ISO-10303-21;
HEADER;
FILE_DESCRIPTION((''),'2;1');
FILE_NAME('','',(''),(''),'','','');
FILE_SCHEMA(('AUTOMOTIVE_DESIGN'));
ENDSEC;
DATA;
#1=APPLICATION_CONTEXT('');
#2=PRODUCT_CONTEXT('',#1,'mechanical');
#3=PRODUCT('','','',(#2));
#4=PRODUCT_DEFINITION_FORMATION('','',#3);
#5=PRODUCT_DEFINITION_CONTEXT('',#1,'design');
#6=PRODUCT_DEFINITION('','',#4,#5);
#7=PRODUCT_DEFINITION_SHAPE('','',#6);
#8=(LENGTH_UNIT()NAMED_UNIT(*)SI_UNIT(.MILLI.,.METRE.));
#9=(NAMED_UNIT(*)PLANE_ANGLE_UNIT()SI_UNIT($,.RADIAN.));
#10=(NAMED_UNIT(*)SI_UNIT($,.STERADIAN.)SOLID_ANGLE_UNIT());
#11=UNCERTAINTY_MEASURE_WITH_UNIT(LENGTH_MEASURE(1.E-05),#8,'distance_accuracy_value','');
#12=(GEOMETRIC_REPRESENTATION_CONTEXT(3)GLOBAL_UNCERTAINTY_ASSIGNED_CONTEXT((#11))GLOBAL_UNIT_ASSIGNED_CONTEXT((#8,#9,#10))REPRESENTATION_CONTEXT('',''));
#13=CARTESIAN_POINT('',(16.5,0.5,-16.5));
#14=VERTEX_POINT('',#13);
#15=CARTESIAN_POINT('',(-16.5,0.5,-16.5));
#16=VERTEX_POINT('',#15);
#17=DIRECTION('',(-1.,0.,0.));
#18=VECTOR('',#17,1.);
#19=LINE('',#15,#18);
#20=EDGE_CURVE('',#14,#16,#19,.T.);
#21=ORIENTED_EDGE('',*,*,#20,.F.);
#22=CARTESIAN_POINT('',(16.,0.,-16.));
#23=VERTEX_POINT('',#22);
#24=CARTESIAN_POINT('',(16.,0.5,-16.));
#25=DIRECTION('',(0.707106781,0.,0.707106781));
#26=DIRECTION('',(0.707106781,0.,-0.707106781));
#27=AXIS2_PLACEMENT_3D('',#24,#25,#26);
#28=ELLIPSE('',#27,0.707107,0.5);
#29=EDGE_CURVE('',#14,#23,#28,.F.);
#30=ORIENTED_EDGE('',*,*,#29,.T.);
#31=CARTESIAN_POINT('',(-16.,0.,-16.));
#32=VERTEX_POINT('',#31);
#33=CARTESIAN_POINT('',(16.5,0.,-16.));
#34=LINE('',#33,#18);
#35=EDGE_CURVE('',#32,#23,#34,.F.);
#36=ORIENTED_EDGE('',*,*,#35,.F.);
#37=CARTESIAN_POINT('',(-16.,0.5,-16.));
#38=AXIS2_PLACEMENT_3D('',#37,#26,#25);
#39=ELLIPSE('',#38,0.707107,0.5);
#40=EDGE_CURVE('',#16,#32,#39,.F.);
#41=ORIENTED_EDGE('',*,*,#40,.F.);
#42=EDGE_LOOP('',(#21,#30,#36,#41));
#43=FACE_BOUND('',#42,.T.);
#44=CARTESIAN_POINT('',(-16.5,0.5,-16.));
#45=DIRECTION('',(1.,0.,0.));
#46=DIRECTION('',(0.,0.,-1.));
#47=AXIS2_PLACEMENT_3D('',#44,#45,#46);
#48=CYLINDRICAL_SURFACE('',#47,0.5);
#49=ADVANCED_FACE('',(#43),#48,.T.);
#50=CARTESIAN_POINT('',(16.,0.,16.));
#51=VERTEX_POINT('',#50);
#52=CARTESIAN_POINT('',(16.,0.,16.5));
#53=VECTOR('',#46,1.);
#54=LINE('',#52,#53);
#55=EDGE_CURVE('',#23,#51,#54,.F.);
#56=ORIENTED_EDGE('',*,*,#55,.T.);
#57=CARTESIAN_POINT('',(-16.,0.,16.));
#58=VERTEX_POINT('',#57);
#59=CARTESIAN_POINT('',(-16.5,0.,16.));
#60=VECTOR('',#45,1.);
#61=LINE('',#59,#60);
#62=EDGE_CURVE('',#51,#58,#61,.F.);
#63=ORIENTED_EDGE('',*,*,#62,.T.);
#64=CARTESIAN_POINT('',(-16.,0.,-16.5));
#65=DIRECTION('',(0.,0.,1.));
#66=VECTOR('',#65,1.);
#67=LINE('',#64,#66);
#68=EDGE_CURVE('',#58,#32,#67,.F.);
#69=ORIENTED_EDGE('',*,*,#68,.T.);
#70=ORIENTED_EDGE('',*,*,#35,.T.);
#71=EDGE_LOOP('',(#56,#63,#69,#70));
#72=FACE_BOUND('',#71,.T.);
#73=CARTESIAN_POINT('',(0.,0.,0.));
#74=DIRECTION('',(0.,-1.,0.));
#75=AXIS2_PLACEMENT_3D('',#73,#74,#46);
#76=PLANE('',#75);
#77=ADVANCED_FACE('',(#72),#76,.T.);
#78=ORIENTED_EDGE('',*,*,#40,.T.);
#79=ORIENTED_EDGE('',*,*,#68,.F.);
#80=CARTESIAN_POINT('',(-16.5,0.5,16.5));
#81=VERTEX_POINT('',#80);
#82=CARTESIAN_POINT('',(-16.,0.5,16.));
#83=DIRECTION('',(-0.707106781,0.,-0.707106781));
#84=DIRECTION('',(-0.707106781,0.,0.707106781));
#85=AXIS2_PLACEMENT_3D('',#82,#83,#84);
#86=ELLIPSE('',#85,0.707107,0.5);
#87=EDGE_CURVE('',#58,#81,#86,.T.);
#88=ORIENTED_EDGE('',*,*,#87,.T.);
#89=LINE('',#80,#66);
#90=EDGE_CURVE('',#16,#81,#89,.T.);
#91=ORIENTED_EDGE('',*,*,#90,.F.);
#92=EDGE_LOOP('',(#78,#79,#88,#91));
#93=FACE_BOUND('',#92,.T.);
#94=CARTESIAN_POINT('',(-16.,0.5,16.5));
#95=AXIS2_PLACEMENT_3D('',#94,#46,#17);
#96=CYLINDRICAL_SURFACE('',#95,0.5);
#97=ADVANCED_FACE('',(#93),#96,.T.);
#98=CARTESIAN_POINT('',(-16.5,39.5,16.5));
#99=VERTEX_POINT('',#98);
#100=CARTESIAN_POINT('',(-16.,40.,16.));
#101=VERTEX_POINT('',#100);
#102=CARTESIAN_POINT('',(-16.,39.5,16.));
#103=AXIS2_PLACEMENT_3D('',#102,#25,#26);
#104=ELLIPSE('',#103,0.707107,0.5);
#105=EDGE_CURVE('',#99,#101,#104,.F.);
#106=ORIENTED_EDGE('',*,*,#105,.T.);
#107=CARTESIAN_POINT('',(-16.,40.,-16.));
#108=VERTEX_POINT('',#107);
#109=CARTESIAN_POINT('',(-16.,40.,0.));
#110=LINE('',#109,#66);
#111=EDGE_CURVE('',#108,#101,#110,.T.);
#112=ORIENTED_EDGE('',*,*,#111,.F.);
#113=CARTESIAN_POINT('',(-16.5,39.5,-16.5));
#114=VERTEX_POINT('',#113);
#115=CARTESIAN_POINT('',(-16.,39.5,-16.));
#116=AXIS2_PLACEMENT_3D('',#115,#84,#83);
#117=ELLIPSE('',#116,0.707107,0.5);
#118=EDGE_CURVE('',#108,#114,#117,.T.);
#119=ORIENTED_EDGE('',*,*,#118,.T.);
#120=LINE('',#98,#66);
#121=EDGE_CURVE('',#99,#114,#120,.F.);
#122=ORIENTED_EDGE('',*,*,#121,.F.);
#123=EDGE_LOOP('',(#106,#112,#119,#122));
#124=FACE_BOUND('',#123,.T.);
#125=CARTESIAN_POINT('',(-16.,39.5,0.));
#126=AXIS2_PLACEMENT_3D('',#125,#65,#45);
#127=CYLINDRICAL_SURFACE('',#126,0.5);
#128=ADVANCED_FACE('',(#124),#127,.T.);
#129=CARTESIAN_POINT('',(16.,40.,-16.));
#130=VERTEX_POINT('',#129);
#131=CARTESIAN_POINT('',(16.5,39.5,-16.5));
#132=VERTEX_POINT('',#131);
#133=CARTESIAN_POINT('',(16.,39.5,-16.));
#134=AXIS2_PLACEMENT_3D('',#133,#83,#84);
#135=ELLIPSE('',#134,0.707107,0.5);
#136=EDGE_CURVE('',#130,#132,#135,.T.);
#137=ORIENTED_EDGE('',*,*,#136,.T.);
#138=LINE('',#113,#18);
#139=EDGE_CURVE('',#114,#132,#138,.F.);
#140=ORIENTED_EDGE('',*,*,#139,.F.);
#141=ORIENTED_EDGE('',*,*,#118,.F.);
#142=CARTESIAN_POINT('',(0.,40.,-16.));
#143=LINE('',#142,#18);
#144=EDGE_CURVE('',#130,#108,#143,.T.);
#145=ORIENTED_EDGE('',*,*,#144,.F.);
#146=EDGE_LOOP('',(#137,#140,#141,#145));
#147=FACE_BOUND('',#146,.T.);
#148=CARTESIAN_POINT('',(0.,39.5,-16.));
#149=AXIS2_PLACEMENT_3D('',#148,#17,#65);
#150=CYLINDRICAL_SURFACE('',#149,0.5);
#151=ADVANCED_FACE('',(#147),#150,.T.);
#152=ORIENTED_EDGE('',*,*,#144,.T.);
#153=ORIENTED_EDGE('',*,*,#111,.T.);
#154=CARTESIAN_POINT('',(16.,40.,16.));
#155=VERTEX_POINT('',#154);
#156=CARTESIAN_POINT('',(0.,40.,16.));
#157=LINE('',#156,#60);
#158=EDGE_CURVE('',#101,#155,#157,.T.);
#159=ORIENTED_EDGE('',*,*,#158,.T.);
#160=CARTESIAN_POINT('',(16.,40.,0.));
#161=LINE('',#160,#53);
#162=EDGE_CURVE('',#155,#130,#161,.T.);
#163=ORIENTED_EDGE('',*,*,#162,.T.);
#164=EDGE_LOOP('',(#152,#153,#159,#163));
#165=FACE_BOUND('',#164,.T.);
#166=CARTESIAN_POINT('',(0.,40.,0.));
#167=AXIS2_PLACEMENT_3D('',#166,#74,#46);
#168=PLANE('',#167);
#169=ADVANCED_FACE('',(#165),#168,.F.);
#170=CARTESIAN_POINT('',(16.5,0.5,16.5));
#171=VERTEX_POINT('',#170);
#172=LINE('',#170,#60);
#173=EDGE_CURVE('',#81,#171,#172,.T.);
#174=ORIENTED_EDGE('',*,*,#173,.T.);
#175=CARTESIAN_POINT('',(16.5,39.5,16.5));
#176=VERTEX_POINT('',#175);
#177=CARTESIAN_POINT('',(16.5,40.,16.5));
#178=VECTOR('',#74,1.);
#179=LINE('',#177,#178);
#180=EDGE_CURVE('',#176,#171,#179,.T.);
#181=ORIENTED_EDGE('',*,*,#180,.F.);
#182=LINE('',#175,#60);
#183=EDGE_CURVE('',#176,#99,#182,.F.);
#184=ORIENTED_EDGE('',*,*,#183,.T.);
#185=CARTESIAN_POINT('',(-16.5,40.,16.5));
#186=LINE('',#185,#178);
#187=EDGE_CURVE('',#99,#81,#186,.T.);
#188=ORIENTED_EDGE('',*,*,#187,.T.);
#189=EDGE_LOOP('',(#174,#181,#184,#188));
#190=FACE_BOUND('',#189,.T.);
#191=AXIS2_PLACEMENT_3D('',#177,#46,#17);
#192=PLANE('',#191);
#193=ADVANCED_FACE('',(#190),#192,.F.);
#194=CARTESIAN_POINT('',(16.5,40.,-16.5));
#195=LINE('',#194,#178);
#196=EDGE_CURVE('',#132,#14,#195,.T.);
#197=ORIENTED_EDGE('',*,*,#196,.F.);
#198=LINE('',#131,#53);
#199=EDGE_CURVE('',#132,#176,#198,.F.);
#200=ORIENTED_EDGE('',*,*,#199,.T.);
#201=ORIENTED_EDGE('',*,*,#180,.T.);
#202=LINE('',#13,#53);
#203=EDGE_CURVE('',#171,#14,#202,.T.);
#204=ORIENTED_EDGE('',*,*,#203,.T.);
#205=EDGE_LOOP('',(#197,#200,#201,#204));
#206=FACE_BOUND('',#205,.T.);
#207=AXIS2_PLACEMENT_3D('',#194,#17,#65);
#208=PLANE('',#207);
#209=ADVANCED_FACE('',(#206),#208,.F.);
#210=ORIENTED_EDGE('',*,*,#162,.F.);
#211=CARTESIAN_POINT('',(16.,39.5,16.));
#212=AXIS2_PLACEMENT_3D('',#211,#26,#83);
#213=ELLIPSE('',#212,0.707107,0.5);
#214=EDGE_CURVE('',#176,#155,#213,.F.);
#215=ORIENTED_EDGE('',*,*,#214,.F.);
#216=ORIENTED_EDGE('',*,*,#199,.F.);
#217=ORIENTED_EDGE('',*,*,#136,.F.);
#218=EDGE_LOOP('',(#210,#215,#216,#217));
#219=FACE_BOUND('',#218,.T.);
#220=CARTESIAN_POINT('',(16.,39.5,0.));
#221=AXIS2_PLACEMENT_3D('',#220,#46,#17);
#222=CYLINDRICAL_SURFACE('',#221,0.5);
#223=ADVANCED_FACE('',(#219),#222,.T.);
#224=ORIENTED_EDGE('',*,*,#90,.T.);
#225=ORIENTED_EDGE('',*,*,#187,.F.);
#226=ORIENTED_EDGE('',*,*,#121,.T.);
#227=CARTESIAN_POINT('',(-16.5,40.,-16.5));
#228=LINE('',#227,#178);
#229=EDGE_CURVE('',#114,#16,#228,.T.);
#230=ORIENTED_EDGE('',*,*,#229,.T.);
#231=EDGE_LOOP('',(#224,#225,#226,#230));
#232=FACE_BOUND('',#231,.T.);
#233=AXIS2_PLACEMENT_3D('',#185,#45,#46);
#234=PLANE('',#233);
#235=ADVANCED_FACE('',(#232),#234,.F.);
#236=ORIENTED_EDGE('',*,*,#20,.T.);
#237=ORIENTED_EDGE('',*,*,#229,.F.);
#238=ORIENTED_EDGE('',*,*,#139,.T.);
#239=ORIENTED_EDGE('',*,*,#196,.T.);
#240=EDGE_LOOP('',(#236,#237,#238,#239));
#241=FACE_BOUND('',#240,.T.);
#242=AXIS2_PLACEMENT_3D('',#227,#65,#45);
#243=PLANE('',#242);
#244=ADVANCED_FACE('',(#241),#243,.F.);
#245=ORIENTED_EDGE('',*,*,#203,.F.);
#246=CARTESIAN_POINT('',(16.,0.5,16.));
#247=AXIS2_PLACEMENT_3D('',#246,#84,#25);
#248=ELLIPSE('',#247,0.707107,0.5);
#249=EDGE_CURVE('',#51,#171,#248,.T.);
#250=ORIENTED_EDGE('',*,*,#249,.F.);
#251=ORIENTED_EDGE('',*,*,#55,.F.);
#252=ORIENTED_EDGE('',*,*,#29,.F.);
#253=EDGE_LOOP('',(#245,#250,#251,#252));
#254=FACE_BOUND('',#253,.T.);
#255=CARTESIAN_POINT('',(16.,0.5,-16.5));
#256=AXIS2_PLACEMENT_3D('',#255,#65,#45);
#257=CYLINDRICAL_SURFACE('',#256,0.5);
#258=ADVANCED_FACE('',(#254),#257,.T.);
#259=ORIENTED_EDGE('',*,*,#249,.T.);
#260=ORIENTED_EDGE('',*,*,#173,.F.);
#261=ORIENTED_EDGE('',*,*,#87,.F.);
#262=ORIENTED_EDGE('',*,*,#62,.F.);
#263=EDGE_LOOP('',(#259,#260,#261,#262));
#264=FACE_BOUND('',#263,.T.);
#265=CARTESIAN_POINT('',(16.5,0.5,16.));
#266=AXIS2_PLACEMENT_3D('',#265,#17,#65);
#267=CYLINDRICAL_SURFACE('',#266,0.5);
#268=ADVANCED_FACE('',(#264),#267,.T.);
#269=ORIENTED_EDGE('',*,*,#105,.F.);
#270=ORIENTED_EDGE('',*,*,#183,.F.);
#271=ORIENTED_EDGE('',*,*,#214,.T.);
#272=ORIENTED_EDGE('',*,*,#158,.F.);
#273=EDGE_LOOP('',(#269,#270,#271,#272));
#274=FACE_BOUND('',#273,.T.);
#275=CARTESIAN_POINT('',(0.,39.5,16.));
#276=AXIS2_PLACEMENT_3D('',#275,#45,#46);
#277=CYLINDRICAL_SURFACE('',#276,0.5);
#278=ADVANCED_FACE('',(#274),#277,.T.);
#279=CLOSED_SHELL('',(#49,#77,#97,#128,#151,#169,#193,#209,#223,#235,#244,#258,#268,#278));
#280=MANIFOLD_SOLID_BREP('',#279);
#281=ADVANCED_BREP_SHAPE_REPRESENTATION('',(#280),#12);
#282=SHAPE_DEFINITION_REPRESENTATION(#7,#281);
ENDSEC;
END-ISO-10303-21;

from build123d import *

# Parameters (mm, degrees)
SKETCH1_W           = 33
SKETCH1_H           = 33
BOSS_EXTRUDE1_DEPTH = 40
FILLET1_R           = 0.5


with BuildPart() as part:
    # Sketch1 → Boss-Extrude1 (new body)
    with BuildSketch(Plane(origin=(0, 0, 0), x_dir=(-1, 0, 0), z_dir=(0, 1, 0))):
        with Locations((-8.9e-08, -2.9e-07)):
            Rectangle(SKETCH1_W, SKETCH1_H)
    extrude(amount=BOSS_EXTRUDE1_DEPTH)

    # Fillet1
    fillet1_edges = [part.edges().sort_by_distance(p)[0] for p in [
        (16.500000089, 40, -2.9e-07),
        (8.9e-08, 40, -16.50000029),
        (-16.499999911, 40, -2.9e-07),
        (8.9e-08, 0, -16.50000029),
        (16.500000089, 0, -2.9e-07),
        (8.9e-08, 0, 16.49999971),
        (-16.499999911, 0, -2.9e-07),
        (8.9e-08, 40, 16.49999971),
    ]]
    fillet(fillet1_edges, radius=FILLET1_R)


solid = part.part
